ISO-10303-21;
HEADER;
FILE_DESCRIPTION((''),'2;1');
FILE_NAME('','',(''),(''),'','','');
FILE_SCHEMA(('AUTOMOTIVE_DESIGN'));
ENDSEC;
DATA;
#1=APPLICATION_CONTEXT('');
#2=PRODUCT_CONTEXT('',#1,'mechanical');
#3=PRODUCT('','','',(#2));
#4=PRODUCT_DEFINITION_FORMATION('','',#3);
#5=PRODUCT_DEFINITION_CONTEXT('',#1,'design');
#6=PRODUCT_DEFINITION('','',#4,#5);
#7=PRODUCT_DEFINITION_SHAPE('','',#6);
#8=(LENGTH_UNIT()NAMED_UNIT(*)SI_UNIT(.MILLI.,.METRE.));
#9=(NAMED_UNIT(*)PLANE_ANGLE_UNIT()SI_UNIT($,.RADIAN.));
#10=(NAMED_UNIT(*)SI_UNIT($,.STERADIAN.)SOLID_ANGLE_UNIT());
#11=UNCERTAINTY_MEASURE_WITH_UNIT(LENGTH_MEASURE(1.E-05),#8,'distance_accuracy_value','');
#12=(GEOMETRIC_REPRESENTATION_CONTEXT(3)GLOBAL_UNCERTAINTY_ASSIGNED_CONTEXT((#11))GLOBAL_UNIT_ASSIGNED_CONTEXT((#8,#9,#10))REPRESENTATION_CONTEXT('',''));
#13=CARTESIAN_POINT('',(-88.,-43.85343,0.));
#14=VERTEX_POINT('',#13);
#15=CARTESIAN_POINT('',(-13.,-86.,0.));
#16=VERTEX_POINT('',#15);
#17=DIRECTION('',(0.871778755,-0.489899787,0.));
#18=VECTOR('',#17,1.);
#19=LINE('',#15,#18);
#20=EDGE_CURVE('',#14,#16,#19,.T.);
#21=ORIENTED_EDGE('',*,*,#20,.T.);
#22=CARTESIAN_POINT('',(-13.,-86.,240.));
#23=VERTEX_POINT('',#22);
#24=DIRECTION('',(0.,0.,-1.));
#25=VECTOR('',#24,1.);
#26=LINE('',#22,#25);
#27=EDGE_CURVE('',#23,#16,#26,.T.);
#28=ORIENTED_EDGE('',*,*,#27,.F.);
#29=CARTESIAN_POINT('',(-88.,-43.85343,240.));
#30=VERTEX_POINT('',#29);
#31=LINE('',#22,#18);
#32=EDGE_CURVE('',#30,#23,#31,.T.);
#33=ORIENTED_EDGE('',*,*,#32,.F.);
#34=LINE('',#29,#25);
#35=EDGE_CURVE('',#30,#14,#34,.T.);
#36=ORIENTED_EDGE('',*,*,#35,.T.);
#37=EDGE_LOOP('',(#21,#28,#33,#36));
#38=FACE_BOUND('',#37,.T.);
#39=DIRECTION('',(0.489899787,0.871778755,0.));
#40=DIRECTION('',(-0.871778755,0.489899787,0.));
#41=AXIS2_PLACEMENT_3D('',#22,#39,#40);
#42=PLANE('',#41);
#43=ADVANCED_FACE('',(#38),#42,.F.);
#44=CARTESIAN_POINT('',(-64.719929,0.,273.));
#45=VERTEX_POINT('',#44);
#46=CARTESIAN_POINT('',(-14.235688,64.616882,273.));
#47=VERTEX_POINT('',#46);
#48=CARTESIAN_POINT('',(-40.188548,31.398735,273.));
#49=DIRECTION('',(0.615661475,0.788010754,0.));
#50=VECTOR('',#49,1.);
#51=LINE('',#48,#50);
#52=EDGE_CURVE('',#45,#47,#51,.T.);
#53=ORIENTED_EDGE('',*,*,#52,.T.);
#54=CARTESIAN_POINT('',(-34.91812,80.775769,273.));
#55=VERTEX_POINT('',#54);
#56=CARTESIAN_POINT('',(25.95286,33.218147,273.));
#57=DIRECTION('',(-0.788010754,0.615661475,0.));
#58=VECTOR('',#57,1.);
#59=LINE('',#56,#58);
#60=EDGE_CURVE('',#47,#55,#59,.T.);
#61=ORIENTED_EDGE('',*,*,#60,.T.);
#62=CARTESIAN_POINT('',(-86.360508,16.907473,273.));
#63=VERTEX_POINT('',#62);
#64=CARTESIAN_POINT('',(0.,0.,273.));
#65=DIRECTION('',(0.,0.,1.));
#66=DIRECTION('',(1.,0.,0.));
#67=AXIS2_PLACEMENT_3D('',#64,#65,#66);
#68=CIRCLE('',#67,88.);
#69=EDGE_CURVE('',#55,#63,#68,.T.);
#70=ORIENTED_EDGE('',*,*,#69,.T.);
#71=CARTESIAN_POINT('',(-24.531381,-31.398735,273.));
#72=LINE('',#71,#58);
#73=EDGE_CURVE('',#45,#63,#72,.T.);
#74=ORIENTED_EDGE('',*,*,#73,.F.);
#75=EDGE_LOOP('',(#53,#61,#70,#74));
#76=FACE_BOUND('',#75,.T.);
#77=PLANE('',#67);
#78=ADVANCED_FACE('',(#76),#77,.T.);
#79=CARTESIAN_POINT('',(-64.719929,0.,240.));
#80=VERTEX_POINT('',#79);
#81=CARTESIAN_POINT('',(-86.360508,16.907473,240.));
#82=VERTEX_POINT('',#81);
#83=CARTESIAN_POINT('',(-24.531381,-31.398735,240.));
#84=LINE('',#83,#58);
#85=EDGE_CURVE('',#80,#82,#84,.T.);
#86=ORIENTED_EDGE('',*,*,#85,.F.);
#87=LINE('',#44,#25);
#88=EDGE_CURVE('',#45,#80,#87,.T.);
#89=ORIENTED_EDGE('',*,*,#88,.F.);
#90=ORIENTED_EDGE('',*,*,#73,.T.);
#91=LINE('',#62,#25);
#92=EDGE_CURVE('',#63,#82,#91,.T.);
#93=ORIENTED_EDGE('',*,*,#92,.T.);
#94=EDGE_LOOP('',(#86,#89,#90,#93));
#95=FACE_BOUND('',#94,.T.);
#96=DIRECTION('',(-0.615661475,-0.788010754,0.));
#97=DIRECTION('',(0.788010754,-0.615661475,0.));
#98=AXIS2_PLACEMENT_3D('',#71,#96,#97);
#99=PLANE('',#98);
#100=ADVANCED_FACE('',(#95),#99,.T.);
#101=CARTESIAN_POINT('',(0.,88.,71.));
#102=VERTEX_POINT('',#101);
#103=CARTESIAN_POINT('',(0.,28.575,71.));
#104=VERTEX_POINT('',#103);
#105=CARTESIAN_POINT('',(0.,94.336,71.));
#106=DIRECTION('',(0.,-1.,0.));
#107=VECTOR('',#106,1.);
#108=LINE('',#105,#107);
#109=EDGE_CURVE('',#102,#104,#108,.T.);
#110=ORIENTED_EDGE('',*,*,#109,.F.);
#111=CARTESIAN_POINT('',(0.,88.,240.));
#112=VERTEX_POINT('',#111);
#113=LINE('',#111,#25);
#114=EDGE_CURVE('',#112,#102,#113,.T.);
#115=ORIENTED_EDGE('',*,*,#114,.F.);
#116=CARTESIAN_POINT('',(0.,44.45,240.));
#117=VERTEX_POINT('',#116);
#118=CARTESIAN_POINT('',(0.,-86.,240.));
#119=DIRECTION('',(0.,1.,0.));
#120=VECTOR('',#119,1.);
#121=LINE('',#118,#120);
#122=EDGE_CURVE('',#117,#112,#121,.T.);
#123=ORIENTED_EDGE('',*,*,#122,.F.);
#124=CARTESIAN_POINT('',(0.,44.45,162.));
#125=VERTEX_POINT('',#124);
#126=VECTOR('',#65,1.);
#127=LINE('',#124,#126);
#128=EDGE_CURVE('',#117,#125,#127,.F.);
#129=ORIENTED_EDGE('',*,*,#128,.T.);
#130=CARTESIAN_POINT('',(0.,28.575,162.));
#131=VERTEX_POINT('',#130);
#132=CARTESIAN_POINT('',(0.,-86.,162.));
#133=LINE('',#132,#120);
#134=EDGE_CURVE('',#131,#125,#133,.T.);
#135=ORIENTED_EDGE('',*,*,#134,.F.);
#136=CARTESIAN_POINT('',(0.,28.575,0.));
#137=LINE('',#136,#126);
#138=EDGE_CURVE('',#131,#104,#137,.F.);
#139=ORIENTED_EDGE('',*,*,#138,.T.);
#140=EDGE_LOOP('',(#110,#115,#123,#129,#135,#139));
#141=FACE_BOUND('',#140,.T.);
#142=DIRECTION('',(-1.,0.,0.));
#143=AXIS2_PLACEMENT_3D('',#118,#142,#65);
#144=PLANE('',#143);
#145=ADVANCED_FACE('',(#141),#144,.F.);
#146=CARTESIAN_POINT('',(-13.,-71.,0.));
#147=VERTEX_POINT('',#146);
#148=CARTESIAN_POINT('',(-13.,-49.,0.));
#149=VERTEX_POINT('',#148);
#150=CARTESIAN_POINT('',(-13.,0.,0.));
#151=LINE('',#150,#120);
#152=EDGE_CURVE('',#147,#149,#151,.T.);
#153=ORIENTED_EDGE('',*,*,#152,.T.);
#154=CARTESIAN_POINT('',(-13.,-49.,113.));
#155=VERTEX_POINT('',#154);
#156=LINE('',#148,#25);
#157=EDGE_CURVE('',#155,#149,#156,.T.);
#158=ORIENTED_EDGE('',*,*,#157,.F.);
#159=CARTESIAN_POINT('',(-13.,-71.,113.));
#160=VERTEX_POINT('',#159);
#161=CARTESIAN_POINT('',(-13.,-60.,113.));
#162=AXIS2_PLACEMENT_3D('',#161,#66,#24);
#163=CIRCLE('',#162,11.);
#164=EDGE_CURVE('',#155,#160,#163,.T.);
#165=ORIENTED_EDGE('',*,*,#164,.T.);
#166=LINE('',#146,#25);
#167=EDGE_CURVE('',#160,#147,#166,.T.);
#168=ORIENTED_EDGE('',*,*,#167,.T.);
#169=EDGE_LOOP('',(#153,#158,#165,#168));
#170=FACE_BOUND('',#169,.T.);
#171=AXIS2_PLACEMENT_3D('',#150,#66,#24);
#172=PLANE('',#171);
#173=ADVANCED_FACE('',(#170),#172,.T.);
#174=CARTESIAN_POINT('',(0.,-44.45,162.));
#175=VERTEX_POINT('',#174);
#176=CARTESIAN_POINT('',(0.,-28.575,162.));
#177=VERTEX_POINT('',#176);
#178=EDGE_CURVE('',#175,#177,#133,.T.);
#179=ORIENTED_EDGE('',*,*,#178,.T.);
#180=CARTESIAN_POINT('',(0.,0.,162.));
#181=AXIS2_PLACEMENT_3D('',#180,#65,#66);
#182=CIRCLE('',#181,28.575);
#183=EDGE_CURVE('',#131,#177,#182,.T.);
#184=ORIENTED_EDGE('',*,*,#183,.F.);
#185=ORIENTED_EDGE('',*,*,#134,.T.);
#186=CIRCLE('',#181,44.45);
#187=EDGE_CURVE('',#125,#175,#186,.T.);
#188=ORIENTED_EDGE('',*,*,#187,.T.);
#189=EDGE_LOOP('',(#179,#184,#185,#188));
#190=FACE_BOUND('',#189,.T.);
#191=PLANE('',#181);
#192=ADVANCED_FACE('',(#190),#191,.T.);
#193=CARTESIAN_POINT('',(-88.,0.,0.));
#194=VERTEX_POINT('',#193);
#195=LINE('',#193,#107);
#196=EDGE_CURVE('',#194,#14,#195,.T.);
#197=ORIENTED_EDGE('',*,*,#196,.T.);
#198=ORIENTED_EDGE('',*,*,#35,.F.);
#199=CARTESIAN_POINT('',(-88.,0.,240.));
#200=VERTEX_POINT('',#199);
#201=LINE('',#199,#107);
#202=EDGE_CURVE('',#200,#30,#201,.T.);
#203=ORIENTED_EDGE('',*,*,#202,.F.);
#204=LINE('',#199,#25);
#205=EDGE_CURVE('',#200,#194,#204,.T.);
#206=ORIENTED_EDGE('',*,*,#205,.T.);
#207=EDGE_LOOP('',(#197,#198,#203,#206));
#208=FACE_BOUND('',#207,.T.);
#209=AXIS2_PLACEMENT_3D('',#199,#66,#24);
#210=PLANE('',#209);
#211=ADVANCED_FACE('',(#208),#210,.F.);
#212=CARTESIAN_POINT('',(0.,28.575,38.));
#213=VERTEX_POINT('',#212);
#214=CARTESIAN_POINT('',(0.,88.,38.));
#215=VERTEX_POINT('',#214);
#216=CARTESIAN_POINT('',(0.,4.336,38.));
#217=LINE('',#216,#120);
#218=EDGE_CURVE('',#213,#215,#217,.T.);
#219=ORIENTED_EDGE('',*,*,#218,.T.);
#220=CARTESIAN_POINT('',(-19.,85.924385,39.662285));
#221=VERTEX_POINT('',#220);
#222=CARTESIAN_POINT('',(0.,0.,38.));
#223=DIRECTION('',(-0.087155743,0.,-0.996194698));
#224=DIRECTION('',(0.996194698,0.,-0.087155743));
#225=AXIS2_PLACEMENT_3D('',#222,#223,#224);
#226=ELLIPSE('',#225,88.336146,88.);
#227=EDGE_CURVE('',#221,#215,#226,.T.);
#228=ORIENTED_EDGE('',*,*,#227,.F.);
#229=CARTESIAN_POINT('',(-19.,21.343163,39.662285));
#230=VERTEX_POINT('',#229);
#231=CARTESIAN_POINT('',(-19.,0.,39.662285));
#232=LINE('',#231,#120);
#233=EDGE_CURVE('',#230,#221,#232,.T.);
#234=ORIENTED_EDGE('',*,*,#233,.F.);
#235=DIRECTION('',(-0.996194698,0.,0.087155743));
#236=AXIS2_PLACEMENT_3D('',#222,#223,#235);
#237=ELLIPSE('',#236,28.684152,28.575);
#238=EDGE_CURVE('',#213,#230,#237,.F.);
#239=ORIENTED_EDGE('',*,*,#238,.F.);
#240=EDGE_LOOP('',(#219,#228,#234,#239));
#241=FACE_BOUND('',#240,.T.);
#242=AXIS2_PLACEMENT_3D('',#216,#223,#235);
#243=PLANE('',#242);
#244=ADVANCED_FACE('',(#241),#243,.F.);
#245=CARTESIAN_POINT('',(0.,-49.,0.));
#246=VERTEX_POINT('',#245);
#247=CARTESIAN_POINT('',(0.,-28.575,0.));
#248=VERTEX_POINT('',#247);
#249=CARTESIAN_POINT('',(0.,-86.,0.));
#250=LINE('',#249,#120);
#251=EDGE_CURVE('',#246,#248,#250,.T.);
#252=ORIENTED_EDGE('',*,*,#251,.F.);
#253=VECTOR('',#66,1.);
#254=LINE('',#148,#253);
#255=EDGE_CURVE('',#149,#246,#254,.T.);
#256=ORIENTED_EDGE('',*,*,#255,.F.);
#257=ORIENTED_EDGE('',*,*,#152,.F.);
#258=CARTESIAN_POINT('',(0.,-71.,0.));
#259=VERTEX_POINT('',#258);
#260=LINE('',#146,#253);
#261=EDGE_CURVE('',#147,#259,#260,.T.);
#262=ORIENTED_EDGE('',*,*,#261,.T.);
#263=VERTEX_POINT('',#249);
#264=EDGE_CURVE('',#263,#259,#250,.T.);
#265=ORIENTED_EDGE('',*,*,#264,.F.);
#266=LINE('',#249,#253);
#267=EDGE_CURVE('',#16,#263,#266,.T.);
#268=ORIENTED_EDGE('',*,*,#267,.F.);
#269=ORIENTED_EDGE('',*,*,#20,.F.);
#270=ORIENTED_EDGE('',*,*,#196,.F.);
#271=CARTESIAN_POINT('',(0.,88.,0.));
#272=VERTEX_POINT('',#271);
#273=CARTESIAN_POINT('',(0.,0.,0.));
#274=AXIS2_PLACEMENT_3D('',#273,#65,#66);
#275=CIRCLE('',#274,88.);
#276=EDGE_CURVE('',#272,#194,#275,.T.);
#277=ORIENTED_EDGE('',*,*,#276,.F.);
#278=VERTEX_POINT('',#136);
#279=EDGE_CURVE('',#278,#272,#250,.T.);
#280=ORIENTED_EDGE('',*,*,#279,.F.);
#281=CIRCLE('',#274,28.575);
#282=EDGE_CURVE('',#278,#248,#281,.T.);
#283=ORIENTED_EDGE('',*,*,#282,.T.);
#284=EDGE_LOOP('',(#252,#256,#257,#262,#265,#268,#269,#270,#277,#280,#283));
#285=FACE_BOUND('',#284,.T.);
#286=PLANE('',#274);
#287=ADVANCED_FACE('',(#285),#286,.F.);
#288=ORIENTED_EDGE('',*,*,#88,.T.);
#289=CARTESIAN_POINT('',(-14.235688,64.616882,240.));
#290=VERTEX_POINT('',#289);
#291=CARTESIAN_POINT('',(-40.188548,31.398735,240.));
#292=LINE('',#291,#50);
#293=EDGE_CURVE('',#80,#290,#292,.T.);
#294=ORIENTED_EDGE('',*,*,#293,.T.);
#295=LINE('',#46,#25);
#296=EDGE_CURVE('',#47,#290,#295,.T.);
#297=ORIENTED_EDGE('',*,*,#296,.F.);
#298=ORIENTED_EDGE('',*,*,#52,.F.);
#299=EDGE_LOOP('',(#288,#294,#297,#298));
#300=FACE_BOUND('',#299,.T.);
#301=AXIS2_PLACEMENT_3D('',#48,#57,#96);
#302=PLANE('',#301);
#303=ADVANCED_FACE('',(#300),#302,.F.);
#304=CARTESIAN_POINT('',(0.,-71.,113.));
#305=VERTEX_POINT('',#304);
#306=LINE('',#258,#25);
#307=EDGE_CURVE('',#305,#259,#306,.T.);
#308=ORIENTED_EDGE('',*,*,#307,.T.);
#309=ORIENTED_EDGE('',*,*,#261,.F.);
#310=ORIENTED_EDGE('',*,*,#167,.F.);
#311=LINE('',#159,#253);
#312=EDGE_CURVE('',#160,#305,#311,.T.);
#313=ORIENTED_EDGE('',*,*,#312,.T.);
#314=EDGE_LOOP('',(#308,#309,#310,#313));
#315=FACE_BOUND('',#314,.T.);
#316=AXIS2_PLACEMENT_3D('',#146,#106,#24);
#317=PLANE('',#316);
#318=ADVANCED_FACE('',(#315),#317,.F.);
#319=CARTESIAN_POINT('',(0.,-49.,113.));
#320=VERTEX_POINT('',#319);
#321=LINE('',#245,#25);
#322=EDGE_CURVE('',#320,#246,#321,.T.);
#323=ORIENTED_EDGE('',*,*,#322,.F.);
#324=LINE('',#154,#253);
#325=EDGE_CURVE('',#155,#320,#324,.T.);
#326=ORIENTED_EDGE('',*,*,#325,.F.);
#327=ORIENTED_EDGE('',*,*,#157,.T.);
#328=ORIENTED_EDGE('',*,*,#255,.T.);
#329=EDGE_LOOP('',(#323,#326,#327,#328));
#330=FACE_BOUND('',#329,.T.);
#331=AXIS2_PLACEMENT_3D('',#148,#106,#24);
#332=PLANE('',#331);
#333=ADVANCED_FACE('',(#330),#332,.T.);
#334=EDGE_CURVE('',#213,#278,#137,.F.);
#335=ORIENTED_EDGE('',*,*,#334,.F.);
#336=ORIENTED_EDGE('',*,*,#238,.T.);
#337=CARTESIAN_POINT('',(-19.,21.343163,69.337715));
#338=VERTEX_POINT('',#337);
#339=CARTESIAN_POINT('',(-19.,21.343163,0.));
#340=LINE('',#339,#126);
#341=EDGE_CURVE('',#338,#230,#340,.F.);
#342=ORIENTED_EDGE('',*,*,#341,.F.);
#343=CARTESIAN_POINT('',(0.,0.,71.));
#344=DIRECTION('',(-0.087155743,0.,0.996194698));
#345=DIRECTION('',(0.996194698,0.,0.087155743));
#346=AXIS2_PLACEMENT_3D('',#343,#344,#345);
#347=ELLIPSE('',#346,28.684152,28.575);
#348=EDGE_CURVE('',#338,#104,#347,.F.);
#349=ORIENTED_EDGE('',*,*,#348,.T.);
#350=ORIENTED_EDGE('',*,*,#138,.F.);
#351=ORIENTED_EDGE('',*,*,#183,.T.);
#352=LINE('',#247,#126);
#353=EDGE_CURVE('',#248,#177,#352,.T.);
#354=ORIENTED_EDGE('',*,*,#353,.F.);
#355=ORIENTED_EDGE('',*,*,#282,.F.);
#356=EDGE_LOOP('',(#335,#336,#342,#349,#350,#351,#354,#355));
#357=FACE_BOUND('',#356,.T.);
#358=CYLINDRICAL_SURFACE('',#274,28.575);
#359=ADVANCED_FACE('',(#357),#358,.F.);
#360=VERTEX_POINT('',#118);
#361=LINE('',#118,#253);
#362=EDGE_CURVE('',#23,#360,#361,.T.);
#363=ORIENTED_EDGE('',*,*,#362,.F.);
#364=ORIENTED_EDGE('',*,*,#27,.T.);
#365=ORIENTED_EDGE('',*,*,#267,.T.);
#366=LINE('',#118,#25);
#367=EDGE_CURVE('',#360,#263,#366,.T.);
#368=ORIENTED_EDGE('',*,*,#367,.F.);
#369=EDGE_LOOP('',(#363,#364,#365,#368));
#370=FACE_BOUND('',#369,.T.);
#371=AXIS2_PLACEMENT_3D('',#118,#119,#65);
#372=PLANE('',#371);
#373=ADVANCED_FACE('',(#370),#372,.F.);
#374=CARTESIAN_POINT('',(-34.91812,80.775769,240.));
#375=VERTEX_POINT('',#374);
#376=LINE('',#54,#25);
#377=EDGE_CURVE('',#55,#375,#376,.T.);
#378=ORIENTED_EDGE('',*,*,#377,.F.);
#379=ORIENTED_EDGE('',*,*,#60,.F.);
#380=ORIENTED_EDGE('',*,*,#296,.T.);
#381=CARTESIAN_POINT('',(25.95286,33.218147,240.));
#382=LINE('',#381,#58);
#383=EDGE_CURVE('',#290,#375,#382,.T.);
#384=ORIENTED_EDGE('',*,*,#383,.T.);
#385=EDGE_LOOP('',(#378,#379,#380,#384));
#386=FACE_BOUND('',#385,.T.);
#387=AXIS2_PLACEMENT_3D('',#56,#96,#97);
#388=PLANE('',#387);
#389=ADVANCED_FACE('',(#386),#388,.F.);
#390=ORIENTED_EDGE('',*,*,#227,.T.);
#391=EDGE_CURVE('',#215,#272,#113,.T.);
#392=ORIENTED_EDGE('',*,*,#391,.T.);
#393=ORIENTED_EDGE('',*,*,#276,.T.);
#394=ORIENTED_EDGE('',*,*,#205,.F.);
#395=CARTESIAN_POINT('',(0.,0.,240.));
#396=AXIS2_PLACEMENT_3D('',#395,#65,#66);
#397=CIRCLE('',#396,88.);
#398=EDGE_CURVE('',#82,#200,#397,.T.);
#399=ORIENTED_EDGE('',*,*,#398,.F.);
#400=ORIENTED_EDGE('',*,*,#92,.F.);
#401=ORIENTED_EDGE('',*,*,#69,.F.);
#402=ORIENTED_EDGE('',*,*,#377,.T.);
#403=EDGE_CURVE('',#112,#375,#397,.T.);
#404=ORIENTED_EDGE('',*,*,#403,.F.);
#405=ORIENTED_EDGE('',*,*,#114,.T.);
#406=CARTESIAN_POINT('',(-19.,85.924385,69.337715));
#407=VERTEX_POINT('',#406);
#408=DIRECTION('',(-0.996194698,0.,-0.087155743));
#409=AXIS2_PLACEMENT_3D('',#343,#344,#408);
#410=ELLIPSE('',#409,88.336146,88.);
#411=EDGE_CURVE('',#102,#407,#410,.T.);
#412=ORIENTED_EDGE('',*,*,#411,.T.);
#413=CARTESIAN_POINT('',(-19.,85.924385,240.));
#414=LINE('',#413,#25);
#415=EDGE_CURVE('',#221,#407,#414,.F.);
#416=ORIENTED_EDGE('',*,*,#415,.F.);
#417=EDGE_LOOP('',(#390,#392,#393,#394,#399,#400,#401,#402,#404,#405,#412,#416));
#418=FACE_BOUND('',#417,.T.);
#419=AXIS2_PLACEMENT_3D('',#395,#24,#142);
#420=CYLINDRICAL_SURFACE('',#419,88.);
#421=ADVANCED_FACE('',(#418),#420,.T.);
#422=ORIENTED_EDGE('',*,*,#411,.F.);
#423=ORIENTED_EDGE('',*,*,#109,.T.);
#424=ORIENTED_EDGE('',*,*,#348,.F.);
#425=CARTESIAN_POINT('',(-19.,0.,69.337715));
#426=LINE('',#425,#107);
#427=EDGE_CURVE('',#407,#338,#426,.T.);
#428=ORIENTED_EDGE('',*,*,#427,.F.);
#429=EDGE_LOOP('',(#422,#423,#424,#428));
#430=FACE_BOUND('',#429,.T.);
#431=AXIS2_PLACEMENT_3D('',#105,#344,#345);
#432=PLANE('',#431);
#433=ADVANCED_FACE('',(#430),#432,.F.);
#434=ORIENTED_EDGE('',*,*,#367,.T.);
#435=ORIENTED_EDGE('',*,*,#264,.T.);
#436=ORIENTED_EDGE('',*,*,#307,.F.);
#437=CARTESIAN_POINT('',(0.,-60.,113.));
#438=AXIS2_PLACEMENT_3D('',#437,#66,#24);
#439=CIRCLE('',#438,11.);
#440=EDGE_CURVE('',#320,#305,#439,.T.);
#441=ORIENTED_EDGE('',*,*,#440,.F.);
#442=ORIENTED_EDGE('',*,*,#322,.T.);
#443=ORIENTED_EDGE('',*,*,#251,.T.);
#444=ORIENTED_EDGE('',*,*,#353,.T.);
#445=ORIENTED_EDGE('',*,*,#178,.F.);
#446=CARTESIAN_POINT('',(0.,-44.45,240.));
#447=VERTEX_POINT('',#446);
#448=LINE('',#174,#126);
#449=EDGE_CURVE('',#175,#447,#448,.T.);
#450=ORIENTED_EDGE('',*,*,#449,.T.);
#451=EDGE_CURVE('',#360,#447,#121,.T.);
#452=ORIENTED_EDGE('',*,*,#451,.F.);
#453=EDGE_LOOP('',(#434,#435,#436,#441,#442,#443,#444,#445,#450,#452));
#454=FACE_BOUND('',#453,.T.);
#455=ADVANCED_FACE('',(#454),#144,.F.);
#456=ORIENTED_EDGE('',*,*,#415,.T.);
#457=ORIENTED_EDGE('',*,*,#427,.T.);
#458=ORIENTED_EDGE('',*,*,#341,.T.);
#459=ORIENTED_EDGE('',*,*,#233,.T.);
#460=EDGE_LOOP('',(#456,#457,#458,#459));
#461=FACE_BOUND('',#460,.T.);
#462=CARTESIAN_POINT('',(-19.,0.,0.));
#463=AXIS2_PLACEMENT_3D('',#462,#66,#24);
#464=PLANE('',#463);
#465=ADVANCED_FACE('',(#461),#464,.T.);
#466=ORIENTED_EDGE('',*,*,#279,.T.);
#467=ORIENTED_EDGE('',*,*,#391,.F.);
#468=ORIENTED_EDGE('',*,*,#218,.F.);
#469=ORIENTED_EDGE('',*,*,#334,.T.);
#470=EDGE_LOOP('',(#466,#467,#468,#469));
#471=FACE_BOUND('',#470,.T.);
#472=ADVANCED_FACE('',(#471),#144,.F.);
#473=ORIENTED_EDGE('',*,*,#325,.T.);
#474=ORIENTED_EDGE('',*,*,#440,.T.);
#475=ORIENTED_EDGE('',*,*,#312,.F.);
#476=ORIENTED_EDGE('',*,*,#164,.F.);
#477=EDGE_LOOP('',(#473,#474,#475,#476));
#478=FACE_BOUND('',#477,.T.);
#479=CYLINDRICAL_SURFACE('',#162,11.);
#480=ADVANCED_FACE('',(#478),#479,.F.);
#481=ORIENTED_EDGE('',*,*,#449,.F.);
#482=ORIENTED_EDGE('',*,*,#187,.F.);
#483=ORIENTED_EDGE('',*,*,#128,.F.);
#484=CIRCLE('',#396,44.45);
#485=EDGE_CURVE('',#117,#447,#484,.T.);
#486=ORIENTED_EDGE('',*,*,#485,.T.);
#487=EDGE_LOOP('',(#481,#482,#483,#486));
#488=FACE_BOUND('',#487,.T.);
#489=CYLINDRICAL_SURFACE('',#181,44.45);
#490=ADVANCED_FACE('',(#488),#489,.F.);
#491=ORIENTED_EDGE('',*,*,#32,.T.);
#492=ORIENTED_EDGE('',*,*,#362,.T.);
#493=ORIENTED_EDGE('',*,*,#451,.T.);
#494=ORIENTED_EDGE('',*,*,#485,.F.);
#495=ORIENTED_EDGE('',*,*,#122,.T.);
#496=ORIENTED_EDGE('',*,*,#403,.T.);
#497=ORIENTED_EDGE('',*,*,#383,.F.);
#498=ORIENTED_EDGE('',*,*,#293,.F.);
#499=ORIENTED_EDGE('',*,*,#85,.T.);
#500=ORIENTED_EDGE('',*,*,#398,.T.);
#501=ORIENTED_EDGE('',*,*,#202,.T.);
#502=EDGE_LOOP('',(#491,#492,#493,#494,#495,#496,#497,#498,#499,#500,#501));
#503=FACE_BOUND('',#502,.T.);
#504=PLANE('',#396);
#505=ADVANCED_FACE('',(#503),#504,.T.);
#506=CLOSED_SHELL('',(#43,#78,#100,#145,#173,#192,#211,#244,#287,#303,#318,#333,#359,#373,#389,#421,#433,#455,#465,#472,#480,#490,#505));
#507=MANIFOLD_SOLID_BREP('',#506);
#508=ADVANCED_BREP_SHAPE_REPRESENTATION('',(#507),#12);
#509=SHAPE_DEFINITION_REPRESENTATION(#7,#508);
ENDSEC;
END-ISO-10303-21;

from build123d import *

# Parameters (mm, degrees)
BOSS_EXTRU_1_DEPTH      = 240
ESQUISSE2_R             = 44.45
ENL_V_MAT_EXTRU_1_DEPTH = 78
ESQUISSE3_R             = 28.575
ENL_V_MAT_EXTRU_2_DEPTH = 205.284115878
BOSS_EXTRU_4_DEPTH      = 33
ESQUISSE8_W             = 33
ESQUISSE8_H             = 90
ENL_V_MAT_EXTRU_4_DEPTH = 19
ENL_V_MAT_EXTRU_4_DRAFT = -5
ENL_V_MAT_EXTRU_5_DEPTH = 13


with BuildPart() as part:
    # Esquisse1 → Boss.-Extru.1 (new body)
    with BuildSketch(Plane.XY):
        with BuildLine():
            Line((0, -86), (0, 88))
            ThreePointArc((0, 88), (-62.225396744, 62.225396744), (-88, 0))
            Line((-88, 0), (-88, -43.853430349))
            Line((-88, -43.853430349), (-13, -86))
            Line((-13, -86), (0, -86))
        make_face()
    extrude(amount=BOSS_EXTRU_1_DEPTH)

    # Esquisse2 → Enlèv. mat.-Extru.1 (cut)
    with BuildSketch(Plane.XY.offset(240)):
        Circle(ESQUISSE2_R)
    extrude(amount=-ENL_V_MAT_EXTRU_1_DEPTH, mode=Mode.SUBTRACT)

    # Esquisse3 → Enlèv. mat.-Extru.2 (cut, through all)
    with BuildSketch(Plane.XY.offset(162)):
        Circle(ESQUISSE3_R)
    extrude(amount=-ENL_V_MAT_EXTRU_2_DEPTH, mode=Mode.SUBTRACT)

    # Esquisse7 → Boss.-Extru.4 (add)
    with BuildSketch(Plane.XY.offset(240)):
        with BuildLine():
            Line((-64.719928969, 0), (-40.188548434, 31.398735242))
            Line((-40.188548434, 31.398735242), (-14.235687992, 64.616881796))
            Line((-14.235687992, 64.616881796), (-34.918120487, 80.775769025))
            ThreePointArc((-34.918120487, 80.775769025), (-68.534051615, 55.20039646), (-86.360508015, 16.907473358))
            Line((-86.360508015, 16.907473358), (-64.719928969, 0))
        make_face()
    extrude(amount=BOSS_EXTRU_4_DEPTH)


with BuildPart() as enl_v_mat_extru_4_tool:
    # Esquisse8 → Enlèv. mat.-Extru.4 (with draft: the straight prism first)
    with BuildSketch(Plane(origin=(0, 0, 0), x_dir=(0, 0, -1), z_dir=(1, 0, 0))):
        with Locations((-54.5, 49.335999727)):
            Rectangle(ESQUISSE8_W, ESQUISSE8_H)
    extrude(amount=-ENL_V_MAT_EXTRU_4_DEPTH)
    # Enlèv. mat.-Extru.4: the draft: its side faces are tilted about the plane it starts from
    enl_v_mat_extru_4_sides = [enl_v_mat_extru_4_tool.faces().sort_by_distance(p)[0] for p in [
        (-9.5, 49.335999727, 71),
        (-9.5, 4.335999727, 54.5),
        (-9.5, 49.335999727, 38),
        (-9.5, 94.335999727, 54.5),
    ]]
    draft(enl_v_mat_extru_4_sides, Plane(origin=(0, 0, 0), x_dir=(0, 0, -1), z_dir=(1, 0, 0)), ENL_V_MAT_EXTRU_4_DRAFT)


with BuildPart() as part_1:
    add(part.part)

    # Enlèv. mat.-Extru.4: cut by enl_v_mat_extru_4_tool
    add(enl_v_mat_extru_4_tool.part, mode=Mode.SUBTRACT)

    # Esquisse9 → Enlèv. mat.-Extru.5 (cut)
    with BuildSketch(Plane(origin=(0, 0, 0), x_dir=(0, 0, -1), z_dir=(1, 0, 0))):
        with BuildLine():
            Line((-113, -49), (0, -49))
            Line((0, -49), (0, -71))
            Line((0, -71), (-113, -71))
            ThreePointArc((-113, -71), (-124, -60), (-113, -49))
        make_face()
    extrude(amount=-ENL_V_MAT_EXTRU_5_DEPTH, mode=Mode.SUBTRACT)


solid = part_1.part
